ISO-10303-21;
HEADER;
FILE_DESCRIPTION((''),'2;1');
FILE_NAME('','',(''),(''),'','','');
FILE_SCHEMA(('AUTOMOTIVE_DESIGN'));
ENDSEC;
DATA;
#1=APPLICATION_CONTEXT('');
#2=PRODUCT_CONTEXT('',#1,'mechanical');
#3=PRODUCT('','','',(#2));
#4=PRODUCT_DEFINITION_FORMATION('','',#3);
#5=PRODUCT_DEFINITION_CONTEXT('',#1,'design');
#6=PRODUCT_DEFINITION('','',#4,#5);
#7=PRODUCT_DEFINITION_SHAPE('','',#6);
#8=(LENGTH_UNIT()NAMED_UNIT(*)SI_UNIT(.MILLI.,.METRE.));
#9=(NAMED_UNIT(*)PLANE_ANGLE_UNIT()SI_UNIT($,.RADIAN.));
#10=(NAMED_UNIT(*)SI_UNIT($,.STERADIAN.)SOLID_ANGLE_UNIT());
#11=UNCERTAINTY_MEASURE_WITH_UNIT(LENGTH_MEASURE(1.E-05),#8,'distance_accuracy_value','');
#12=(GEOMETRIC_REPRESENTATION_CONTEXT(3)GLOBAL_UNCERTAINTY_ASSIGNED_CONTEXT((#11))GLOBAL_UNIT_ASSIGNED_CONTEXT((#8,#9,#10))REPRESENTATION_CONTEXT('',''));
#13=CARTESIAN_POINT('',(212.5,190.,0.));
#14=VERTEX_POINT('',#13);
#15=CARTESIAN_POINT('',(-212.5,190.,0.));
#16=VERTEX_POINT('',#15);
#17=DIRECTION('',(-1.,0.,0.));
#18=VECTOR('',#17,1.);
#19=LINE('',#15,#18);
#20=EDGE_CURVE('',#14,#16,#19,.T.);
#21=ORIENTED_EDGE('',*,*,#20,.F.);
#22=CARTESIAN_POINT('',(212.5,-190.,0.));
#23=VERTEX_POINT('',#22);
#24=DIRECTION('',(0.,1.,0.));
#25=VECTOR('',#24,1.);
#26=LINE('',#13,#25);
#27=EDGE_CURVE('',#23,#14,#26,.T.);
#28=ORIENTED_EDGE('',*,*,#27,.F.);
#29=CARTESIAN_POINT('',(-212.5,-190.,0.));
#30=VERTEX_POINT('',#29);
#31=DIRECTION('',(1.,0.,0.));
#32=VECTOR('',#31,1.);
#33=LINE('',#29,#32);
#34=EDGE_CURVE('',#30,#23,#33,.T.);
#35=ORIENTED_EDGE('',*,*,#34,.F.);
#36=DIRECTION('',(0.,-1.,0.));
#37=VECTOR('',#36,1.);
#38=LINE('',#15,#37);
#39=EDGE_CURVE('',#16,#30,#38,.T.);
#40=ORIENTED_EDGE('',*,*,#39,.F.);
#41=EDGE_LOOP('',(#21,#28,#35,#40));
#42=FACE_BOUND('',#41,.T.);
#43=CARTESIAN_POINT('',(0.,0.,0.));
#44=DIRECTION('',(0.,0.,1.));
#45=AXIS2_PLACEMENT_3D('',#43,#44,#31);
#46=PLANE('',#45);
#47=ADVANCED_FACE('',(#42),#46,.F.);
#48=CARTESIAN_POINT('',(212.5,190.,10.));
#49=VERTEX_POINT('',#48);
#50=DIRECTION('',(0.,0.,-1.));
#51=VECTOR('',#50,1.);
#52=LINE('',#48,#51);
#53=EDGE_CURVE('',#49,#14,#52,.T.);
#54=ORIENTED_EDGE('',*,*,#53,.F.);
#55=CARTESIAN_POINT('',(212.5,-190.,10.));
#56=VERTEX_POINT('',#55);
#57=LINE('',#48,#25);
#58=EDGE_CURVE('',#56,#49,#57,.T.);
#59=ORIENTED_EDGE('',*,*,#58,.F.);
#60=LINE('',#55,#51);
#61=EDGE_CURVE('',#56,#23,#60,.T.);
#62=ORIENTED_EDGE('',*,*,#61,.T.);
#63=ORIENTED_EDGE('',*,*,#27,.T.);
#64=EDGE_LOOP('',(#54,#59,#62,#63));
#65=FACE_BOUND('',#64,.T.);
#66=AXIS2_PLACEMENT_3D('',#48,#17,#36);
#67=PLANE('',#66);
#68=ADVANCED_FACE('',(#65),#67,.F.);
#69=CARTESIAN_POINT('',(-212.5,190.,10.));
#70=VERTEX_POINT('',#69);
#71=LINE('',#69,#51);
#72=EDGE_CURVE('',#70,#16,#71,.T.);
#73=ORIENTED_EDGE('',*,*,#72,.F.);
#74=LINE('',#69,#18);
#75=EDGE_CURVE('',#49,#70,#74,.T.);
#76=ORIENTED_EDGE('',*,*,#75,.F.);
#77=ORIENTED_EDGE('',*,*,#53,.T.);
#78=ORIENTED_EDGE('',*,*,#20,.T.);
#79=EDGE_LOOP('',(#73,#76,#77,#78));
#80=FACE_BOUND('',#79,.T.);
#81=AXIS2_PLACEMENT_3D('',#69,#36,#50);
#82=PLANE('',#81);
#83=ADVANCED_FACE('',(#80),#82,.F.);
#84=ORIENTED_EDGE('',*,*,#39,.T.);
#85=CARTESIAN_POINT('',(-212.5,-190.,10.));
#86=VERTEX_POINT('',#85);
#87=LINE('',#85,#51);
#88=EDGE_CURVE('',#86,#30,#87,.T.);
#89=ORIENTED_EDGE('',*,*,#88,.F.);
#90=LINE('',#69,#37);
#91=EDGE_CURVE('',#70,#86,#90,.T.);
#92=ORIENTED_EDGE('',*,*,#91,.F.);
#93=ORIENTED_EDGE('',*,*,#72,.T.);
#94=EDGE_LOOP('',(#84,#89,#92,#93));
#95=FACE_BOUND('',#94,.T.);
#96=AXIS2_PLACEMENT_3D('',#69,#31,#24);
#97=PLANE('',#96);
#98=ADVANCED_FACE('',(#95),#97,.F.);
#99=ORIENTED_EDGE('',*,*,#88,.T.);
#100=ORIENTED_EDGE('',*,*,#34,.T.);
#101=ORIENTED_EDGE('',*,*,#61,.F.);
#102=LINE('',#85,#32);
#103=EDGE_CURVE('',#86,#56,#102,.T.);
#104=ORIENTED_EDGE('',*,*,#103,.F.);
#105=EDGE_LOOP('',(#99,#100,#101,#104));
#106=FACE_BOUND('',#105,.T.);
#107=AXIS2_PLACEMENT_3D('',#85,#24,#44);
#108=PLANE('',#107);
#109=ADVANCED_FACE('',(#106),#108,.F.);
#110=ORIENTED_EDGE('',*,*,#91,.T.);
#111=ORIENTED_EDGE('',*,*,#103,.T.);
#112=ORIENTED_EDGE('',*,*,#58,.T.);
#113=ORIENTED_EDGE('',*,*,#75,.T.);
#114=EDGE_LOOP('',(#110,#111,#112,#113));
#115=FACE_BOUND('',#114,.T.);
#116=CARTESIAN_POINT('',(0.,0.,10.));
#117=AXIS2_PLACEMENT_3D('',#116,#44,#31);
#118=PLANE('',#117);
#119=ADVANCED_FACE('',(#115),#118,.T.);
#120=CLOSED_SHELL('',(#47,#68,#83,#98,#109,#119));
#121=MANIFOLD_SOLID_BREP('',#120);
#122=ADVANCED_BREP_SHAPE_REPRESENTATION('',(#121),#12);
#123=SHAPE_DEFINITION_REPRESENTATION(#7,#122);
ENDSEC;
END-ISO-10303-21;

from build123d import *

# Parameters (mm, degrees)
SKETCH1_W           = 425
SKETCH1_H           = 380
BOSS_EXTRUDE1_DEPTH = 10


with BuildPart() as part:
    # Sketch1 → Boss-Extrude1 (new body)
    with BuildSketch(Plane.XY):
        Rectangle(SKETCH1_W, SKETCH1_H)
    extrude(amount=BOSS_EXTRUDE1_DEPTH)


solid = part.part
